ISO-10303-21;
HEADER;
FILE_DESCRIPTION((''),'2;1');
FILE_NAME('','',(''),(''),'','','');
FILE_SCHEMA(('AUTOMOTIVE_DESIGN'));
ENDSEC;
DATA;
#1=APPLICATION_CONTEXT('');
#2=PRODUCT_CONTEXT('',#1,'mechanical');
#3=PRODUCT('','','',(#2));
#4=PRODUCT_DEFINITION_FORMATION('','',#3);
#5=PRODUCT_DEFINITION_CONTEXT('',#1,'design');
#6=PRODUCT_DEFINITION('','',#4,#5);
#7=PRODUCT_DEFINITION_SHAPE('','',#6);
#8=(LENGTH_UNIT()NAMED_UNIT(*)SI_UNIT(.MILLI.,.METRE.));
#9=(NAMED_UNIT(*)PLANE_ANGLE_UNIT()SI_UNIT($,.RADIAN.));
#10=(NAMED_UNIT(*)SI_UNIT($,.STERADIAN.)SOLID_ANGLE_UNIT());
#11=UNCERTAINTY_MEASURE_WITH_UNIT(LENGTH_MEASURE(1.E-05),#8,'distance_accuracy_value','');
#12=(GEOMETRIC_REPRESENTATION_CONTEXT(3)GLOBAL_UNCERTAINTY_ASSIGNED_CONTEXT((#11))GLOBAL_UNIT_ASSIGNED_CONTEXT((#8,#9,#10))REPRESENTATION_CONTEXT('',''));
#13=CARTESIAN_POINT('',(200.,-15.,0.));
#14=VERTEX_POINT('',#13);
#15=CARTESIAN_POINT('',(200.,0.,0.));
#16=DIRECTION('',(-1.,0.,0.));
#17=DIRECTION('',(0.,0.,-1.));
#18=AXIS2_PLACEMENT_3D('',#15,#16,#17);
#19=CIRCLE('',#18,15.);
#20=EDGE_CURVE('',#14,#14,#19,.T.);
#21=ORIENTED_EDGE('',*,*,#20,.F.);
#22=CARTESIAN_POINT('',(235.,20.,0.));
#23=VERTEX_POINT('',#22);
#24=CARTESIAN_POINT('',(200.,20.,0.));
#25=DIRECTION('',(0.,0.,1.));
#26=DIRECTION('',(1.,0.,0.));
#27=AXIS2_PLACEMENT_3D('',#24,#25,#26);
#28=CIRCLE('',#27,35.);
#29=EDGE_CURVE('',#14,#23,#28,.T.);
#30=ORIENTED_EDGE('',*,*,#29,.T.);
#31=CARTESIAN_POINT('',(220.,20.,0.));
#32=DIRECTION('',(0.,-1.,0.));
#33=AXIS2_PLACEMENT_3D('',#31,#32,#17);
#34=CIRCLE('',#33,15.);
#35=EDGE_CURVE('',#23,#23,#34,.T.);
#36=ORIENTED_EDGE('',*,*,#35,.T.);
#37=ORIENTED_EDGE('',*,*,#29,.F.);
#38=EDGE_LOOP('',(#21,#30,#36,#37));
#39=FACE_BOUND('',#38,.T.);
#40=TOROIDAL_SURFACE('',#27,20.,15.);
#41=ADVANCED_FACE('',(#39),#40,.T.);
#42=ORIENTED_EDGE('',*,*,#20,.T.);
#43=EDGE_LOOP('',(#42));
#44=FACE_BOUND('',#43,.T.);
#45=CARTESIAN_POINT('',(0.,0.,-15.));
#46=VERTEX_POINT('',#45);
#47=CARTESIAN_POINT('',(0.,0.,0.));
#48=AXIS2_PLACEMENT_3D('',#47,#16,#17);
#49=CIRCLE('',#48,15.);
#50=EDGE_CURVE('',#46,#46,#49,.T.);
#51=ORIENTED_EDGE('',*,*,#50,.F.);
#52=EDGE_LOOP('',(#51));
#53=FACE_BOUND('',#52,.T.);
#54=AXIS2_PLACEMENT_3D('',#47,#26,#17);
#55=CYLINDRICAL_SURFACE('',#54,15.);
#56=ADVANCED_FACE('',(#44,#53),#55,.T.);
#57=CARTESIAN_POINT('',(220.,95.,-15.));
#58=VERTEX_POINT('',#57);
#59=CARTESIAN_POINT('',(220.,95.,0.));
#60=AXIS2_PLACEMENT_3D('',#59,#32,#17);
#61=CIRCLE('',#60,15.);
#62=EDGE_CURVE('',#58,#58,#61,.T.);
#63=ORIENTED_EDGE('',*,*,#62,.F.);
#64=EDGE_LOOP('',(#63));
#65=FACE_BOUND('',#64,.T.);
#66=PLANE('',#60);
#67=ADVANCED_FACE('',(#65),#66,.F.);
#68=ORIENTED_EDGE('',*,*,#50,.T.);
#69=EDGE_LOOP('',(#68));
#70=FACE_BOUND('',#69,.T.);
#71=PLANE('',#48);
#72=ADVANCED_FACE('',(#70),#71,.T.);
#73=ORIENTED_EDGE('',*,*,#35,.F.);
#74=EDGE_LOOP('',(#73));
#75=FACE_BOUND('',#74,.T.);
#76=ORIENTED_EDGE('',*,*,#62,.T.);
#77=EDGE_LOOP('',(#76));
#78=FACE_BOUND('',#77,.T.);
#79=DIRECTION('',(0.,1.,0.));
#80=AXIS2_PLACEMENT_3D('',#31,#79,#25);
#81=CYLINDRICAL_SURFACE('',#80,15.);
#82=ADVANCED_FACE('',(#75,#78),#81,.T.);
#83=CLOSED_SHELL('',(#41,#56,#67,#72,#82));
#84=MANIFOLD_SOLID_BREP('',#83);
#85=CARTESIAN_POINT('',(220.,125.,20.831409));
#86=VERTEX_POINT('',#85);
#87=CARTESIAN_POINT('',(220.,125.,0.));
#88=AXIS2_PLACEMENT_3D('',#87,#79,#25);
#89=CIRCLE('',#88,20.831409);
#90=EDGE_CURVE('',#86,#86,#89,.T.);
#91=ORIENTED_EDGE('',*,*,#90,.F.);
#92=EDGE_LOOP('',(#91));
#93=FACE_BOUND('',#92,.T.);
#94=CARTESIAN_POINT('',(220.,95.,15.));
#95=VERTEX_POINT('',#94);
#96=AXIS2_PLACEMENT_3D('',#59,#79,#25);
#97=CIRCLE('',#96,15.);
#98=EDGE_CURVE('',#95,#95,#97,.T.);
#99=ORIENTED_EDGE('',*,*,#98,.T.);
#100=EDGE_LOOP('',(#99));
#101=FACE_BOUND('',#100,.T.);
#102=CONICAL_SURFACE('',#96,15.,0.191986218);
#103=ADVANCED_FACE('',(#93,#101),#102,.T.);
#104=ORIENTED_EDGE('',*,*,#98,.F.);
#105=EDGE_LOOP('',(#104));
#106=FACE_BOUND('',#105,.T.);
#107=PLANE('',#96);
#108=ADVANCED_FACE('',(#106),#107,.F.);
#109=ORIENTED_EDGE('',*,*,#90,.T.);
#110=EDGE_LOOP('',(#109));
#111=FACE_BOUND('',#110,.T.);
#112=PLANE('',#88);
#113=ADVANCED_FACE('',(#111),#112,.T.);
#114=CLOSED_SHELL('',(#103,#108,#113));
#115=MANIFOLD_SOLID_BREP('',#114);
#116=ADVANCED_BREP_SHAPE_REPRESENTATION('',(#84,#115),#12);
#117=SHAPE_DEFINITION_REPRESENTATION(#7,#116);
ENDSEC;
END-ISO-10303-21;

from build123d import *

# Parameters (mm, degrees)
SWEEP1_PROFILE_R    = 15
SKETCH30_R          = 15
BOSS_EXTRUDE1_DEPTH = 30
BOSS_EXTRUDE1_DRAFT = -11


with BuildPart() as part:
    # Sweep1: sweep along a path in Sketch1
    with BuildLine(Plane.XY) as sweep1_path:
        Line((0, 0), (200, 0))
        ThreePointArc((200, 0), (214.142135624, 5.857864376), (220, 20))
        Line((220, 20), (220, 95))
    # Sweep1 profile (on start of the path) → Sweep1 (sweep)
    with BuildSketch(Plane(origin=(0, 0, 0), x_dir=(0, 0, 1), z_dir=(1, 0, 0))):
        Circle(SWEEP1_PROFILE_R)
    sweep(path=sweep1_path.line)


with BuildPart() as body_2:
    # Sketch30 → Boss-Extrude1 (with draft: the straight prism first)
    with BuildSketch(Plane(origin=(0, 95, 0), x_dir=(1, 0, 0), z_dir=(0, 1, 0))):
        with Locations((220, 0)):
            Circle(SKETCH30_R)
    extrude(amount=BOSS_EXTRUDE1_DEPTH)
    # Boss-Extrude1: the draft: its side faces are tilted about the plane it starts from
    boss_extrude1_sides = [body_2.faces().sort_by_distance(p)[0] for p in [
        (205, 110, 0),
    ]]
    draft(boss_extrude1_sides, Plane(origin=(0, 95, 0), x_dir=(1, 0, 0), z_dir=(0, 1, 0)), BOSS_EXTRUDE1_DRAFT)


solid = Compound([part.part, body_2.part])
